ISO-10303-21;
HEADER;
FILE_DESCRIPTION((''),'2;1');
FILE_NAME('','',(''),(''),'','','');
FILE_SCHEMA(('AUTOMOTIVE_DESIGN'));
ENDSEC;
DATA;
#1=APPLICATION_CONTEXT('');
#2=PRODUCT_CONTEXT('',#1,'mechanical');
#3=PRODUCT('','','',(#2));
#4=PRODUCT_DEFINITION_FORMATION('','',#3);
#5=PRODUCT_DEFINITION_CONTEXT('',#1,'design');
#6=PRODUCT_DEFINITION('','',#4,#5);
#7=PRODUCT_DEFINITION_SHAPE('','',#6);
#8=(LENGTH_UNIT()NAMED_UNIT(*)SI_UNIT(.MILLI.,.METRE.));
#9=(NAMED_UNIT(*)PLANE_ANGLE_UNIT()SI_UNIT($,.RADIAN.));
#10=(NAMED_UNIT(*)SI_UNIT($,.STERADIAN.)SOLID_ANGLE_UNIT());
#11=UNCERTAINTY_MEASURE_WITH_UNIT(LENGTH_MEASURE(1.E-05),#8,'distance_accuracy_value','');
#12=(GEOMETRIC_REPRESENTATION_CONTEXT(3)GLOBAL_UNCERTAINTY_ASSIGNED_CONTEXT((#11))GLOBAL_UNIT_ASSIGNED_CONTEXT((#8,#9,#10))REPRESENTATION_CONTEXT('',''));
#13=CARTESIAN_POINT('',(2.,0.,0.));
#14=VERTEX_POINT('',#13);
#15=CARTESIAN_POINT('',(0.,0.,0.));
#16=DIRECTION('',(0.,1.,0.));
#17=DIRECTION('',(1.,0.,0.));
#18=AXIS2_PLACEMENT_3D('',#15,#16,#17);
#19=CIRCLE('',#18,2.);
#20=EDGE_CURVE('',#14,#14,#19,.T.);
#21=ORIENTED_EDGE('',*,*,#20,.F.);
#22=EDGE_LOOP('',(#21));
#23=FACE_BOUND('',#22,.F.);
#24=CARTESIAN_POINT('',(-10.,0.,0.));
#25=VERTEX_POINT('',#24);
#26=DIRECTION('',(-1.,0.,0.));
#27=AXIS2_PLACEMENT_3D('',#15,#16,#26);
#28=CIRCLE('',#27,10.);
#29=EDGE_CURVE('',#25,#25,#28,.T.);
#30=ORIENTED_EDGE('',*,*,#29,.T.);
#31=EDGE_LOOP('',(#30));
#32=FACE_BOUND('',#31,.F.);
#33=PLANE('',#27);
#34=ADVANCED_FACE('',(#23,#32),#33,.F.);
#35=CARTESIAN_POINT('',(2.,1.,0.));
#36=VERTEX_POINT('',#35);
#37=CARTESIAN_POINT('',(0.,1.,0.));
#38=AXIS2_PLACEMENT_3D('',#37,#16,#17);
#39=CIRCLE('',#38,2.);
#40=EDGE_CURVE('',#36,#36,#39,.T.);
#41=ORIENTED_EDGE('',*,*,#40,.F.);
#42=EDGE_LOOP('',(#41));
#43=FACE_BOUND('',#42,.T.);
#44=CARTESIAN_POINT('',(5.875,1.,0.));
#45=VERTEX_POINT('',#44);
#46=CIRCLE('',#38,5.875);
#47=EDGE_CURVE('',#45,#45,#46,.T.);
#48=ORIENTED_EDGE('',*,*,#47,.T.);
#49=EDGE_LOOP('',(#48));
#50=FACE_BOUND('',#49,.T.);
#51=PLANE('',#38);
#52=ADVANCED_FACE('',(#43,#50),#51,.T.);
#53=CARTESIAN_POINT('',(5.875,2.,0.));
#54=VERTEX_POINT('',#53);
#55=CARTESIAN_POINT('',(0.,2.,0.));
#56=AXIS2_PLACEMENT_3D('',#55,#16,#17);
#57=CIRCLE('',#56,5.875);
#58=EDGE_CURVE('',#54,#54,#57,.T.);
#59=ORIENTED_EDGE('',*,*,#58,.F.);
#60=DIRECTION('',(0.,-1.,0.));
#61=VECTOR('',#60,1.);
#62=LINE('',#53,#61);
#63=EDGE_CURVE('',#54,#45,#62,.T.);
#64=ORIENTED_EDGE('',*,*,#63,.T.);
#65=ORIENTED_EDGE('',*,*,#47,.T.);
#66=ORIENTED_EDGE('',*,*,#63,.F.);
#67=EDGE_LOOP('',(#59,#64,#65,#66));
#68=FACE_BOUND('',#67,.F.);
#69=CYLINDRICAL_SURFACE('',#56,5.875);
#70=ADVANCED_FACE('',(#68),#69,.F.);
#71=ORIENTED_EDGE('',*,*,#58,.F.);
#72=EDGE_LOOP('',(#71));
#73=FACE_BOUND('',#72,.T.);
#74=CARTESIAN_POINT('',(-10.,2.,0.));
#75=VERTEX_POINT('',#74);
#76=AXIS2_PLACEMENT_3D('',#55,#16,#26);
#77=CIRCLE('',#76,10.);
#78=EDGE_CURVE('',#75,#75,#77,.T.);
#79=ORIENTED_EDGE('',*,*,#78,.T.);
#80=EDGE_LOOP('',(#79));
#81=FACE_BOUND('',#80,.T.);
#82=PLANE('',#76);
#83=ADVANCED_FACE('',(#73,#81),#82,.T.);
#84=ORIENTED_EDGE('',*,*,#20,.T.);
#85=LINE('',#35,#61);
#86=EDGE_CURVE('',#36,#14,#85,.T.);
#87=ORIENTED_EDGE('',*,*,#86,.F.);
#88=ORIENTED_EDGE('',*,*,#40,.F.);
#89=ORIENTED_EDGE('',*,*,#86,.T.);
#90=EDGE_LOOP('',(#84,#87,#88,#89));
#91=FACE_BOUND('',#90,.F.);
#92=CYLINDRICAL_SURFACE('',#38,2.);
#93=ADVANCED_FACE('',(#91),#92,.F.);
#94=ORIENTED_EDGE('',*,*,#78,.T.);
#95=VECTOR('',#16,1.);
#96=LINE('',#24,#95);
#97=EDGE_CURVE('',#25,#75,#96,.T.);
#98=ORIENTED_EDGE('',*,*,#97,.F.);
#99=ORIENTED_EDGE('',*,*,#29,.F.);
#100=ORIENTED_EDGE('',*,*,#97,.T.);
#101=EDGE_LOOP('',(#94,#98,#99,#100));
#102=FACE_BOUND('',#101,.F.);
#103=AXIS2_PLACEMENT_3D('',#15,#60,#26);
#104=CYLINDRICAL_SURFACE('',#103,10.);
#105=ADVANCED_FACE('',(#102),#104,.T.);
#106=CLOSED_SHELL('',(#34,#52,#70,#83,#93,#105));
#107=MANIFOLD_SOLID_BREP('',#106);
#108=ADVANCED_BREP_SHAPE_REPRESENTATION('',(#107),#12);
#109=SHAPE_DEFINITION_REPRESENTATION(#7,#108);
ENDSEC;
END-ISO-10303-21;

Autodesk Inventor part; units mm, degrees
ref_plane "YZ Plane" through (0, 0, 0) normal (1, 0, 0) x (0, 1, 0)
ref_plane "XZ Plane" through (0, 0, 0) normal (0, 1, 0) x (-1, 0, 0)
ref_plane "XY Plane" through (0, 0, 0) normal (0, 0, 1) x (1, 0, 0)
sketch "Sketch1" plane through (0, 0, 0) normal (0, 1, 0) x (-1, 0, 0)
  circle A0 centre (0, 0) radius 10
  dimension "d0" = 20
extrude "Extrusion1" add sketch "Sketch1" along normal blind 2
sketch "Sketch2" plane through (0, 2, 0) normal (0, 1, 0) x (1, 0, 0)
  circle A0 centre (0, 0) radius 5.875
  dimension "d3" = 11.75
extrude "Extrusion2" cut sketch "Sketch2" against normal blind 1
sketch "Sketch3" plane through (0, 1, 0) normal (0, 1, 0) x (1, 0, 0)
  circle A0 centre (0, 0) radius 2
  dimension "d6" = 4
extrude "Extrusion3" cut sketch "Sketch3" against normal through all
properties part number "M3Bearing_Holder"
